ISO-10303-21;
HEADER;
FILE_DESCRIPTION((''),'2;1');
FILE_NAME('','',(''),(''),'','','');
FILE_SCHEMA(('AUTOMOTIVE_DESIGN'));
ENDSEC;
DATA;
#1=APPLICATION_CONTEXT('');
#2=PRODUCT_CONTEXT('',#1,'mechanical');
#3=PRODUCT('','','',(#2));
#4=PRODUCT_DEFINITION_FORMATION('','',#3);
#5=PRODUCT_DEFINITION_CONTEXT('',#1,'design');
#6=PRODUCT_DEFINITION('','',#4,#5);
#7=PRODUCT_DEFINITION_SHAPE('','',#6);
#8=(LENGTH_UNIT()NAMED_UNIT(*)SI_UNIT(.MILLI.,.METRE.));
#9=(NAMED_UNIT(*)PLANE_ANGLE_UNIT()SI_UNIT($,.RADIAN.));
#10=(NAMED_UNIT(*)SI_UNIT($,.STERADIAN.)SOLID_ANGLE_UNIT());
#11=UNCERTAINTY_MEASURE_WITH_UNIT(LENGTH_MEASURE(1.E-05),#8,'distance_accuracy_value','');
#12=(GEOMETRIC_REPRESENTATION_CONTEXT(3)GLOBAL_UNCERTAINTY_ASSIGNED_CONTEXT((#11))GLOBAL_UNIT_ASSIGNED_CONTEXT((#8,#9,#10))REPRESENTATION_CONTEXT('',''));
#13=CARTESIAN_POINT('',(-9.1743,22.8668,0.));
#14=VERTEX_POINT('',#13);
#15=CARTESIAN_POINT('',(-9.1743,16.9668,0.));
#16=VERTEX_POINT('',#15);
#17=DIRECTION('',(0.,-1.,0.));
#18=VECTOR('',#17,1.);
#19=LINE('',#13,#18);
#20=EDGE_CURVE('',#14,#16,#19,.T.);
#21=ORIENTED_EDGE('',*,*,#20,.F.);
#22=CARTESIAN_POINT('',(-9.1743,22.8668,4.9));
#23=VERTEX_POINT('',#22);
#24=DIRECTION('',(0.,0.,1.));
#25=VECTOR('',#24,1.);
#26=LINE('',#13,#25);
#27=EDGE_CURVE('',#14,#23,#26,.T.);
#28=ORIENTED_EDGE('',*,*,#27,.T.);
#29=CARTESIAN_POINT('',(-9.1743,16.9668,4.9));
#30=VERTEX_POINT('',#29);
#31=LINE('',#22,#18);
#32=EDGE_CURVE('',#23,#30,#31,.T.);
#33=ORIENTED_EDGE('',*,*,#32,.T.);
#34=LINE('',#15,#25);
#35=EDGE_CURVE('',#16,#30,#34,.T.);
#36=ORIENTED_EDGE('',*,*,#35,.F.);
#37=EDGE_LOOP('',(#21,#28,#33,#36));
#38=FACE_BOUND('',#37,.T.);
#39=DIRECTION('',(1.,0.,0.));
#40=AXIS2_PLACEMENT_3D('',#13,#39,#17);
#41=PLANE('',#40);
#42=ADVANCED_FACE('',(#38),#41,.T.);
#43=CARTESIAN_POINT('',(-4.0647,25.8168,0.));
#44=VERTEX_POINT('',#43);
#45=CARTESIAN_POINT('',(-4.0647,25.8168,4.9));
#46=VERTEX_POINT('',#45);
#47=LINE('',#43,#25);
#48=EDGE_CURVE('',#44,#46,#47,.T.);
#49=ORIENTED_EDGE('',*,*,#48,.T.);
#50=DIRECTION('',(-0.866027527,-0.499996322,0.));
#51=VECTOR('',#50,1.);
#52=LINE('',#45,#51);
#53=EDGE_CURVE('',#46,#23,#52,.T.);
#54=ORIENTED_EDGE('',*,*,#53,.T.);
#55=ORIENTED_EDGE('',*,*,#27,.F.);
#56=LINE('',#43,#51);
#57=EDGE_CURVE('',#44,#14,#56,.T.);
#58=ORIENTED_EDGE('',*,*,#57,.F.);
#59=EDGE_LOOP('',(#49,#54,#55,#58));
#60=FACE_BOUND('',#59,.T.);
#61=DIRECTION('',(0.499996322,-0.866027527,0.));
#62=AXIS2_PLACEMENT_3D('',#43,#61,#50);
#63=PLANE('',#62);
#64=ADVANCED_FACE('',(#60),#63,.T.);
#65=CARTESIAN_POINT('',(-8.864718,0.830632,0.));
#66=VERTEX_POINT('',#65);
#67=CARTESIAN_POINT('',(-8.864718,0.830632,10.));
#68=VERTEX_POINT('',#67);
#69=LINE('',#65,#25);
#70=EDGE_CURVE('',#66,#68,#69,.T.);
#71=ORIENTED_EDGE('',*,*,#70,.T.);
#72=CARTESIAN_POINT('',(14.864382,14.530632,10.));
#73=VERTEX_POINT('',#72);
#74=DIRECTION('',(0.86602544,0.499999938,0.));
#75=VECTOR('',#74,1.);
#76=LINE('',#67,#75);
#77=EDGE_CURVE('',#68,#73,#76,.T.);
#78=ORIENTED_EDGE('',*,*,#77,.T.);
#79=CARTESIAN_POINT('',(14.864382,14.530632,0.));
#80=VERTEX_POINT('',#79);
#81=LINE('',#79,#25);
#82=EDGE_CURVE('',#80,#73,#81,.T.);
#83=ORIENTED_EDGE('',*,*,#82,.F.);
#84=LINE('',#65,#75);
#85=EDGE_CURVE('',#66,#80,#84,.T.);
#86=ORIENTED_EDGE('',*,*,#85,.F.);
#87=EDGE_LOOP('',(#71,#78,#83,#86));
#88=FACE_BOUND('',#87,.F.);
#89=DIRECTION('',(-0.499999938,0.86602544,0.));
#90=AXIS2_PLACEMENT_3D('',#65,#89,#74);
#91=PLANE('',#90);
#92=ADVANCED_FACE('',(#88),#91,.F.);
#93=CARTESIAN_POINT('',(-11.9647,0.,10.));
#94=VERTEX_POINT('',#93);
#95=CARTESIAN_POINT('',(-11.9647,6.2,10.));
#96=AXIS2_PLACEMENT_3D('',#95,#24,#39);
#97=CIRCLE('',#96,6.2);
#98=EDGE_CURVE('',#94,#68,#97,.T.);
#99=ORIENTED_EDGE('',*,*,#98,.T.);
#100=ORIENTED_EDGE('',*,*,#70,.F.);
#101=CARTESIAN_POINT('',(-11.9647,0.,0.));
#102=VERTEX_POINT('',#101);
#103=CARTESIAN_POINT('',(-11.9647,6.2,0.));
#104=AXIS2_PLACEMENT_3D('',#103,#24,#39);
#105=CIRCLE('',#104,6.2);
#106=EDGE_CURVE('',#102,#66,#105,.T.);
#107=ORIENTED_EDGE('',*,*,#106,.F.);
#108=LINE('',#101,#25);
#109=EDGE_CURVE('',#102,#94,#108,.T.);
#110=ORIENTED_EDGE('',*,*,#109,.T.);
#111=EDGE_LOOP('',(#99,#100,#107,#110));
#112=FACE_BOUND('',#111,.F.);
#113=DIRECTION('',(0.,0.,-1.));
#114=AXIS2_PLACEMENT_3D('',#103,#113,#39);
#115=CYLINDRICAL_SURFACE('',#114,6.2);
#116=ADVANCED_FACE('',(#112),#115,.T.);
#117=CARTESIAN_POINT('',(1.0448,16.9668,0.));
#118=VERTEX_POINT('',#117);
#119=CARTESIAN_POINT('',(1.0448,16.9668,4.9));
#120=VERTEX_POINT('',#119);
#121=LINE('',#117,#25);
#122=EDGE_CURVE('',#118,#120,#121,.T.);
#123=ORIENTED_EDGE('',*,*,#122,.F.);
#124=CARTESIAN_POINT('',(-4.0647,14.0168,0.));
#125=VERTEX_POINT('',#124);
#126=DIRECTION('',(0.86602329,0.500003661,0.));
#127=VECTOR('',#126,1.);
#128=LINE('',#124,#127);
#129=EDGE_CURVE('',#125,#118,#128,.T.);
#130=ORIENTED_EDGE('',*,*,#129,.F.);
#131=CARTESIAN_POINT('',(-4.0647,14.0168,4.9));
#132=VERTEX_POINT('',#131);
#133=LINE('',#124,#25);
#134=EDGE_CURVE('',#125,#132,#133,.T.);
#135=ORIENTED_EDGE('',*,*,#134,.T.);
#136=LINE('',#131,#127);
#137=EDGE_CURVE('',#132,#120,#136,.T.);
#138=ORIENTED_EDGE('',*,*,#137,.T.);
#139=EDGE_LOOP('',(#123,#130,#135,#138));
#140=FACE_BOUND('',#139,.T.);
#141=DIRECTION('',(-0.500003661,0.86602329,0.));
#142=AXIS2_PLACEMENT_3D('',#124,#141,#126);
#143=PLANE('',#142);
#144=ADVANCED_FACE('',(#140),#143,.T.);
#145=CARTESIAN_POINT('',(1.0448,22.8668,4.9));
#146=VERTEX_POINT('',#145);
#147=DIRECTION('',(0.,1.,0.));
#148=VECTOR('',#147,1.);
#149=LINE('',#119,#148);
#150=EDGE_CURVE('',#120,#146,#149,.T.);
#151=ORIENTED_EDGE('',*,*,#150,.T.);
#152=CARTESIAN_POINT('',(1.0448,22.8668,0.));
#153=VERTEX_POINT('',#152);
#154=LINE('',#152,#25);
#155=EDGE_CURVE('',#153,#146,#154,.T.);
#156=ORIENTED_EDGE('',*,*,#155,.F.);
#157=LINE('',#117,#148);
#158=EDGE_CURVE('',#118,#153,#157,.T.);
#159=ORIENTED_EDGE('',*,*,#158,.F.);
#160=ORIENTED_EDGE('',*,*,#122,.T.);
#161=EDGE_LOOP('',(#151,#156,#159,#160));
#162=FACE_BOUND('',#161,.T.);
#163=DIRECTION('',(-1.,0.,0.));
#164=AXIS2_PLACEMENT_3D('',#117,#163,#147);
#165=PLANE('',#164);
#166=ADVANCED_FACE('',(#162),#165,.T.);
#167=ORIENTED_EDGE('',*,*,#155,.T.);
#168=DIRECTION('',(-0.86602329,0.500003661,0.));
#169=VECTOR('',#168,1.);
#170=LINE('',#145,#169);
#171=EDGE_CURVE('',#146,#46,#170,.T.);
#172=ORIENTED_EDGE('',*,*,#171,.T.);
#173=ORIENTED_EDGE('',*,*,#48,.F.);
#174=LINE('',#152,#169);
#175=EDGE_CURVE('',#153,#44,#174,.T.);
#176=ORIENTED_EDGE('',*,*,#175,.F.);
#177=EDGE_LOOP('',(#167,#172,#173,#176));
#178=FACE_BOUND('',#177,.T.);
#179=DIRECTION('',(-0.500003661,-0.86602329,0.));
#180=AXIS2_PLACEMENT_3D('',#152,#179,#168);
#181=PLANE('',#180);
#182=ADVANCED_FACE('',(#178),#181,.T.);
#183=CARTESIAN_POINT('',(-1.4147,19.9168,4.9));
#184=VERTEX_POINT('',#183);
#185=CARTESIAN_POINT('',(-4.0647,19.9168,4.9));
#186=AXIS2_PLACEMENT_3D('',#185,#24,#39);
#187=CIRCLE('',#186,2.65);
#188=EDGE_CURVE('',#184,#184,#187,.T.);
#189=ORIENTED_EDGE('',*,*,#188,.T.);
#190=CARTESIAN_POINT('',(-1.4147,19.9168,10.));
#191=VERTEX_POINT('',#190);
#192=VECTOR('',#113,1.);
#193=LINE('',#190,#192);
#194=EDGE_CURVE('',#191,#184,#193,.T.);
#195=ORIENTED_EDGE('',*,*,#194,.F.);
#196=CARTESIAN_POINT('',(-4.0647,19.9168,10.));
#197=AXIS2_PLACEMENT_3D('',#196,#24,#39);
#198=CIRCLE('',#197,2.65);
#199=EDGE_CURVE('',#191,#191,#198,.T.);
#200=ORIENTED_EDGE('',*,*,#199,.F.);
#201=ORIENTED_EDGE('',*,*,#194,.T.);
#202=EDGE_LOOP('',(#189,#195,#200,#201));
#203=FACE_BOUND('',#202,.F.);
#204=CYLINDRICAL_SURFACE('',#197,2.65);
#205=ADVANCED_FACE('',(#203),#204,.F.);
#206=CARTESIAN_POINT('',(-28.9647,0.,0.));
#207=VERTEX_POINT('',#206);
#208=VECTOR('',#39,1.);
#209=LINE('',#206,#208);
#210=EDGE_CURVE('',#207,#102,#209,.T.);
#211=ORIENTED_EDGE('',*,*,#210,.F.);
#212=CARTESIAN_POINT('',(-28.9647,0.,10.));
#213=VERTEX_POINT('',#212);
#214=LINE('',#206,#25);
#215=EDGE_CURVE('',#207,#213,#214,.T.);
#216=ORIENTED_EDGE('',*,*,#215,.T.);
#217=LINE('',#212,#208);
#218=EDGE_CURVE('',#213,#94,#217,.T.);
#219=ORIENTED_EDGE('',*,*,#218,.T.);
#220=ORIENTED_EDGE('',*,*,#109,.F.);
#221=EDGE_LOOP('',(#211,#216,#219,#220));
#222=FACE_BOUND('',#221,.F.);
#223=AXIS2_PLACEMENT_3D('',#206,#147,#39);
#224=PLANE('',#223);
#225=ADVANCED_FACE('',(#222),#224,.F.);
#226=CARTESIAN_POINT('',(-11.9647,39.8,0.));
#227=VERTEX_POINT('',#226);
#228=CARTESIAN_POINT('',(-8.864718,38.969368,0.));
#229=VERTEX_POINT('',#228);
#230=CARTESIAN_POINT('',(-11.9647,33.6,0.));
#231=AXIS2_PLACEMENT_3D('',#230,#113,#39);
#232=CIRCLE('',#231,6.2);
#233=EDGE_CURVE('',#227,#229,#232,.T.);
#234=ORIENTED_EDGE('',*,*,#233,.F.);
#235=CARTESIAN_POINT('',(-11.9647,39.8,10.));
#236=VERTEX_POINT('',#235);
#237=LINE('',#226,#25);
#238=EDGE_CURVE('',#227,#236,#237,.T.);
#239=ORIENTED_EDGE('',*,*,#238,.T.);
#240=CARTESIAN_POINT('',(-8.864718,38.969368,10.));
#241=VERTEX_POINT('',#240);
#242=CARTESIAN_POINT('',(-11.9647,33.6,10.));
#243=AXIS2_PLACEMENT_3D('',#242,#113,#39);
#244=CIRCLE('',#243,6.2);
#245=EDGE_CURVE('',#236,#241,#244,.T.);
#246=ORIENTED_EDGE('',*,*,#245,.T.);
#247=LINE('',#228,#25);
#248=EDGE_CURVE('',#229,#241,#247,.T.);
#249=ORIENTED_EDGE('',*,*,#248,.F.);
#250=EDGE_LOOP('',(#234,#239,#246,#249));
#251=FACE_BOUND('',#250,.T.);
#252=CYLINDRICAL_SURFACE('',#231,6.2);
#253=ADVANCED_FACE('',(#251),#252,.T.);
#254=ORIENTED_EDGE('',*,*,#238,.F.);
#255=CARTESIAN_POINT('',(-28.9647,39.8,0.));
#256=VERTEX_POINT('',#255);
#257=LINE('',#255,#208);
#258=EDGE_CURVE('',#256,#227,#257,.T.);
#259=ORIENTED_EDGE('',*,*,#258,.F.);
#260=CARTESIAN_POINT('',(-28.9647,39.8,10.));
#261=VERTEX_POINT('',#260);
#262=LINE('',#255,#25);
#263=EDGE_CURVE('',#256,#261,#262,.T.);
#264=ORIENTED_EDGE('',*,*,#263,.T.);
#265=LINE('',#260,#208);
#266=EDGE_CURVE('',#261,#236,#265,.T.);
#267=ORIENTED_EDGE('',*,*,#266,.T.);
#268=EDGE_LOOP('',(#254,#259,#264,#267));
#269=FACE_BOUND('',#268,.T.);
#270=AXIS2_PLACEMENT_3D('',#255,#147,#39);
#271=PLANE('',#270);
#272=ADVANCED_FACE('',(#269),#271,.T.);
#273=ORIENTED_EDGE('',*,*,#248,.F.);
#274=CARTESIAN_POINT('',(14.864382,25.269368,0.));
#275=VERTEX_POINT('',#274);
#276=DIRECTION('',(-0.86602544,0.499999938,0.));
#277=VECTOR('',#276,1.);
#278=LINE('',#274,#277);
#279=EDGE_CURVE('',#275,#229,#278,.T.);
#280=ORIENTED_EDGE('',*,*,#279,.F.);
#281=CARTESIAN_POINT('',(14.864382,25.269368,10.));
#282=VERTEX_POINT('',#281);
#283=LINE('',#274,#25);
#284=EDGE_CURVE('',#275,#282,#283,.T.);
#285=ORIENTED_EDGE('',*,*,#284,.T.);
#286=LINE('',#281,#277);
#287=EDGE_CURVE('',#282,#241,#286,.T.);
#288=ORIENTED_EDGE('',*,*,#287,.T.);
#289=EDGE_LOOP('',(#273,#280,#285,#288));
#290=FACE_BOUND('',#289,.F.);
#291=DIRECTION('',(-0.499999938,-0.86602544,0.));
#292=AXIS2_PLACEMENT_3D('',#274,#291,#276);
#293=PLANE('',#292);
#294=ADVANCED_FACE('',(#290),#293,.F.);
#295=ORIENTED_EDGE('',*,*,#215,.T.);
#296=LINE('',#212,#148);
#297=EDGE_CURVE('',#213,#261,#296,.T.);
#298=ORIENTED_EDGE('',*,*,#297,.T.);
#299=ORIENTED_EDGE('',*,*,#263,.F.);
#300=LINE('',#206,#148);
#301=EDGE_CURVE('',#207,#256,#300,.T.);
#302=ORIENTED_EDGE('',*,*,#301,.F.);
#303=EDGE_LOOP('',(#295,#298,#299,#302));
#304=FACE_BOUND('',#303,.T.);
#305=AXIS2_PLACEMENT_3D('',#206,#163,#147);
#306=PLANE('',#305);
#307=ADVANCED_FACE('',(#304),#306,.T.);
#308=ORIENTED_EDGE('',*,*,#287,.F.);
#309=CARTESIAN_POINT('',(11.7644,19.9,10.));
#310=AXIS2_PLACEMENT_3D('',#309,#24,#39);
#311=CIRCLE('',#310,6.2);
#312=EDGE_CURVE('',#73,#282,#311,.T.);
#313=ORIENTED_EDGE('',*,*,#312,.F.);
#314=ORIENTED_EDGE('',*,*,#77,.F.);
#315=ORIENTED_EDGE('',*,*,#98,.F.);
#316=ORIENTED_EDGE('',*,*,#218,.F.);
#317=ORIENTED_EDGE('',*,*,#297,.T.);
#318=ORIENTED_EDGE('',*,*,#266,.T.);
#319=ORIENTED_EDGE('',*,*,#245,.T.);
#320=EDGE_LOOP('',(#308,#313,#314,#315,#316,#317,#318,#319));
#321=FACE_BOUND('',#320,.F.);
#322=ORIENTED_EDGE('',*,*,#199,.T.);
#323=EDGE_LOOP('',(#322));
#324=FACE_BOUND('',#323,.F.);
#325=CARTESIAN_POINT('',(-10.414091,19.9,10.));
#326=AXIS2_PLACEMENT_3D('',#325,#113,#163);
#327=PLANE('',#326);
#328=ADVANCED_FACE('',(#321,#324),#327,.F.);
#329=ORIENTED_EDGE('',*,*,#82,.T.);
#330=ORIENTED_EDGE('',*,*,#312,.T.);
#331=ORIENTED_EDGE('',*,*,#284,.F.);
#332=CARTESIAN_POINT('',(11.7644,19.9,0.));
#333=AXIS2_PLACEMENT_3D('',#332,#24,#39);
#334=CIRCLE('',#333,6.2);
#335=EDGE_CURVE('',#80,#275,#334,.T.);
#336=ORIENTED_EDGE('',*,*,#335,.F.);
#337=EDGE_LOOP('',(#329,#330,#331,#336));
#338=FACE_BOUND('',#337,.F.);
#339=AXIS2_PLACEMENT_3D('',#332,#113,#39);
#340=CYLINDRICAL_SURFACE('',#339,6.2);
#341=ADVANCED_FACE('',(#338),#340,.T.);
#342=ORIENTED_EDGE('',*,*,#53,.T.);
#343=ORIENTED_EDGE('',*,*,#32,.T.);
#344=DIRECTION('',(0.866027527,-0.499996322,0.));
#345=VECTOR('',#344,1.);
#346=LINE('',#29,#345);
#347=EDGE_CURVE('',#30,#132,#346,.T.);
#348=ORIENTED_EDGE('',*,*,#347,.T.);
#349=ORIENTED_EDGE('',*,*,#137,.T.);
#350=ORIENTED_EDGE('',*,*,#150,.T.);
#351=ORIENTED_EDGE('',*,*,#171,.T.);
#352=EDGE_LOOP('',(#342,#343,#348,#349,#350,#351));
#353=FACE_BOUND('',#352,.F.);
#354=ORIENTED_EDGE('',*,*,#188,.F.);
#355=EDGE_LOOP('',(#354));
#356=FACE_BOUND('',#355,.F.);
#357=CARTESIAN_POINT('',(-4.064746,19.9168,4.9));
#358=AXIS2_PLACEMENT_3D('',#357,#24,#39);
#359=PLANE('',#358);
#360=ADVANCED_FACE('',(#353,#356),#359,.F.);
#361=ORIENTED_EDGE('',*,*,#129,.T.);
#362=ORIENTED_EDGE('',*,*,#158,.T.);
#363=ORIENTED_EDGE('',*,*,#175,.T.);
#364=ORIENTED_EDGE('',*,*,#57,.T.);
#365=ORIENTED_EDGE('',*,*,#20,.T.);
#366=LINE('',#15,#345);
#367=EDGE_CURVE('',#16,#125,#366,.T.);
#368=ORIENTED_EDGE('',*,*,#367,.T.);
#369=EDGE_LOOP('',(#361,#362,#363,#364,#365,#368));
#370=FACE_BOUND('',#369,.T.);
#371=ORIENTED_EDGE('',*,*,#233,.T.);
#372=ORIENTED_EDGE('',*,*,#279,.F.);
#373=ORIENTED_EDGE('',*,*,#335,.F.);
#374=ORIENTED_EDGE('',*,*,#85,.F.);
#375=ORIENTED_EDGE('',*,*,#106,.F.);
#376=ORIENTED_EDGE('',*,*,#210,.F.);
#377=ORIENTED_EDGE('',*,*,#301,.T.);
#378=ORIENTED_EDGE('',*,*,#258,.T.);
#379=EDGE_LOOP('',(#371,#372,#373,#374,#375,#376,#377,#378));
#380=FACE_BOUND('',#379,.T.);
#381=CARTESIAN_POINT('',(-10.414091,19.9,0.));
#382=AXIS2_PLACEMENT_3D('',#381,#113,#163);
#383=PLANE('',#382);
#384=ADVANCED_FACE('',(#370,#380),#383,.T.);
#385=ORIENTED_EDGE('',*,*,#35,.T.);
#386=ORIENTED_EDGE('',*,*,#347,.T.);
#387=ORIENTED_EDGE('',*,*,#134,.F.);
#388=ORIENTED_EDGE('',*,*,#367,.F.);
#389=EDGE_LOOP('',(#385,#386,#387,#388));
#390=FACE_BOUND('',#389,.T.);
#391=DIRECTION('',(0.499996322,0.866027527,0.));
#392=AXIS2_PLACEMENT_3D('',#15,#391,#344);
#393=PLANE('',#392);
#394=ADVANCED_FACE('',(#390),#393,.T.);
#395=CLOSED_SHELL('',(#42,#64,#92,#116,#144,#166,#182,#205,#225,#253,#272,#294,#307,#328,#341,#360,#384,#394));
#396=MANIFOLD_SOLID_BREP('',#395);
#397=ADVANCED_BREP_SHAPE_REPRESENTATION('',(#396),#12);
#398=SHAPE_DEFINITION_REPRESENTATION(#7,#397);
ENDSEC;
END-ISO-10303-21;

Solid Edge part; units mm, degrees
sketch "Sketch1" plane through (0, 0, 0) normal (0, 0, 1) x (1, 0, 0)
  line L0 (-28.9647, 0) -> (-28.9647, 39.8)
  line L1 (-28.9647, 39.8) -> (-11.9647, 39.8)
  arc A0 (-11.9647, 39.8) -> (-8.8647, 38.9694) centre (-11.9647, 33.6) cw
  line L2 (14.8644, 25.2694) -> (-8.8647, 38.9694)
  arc A1 (14.8644, 14.5306) -> (14.8644, 25.2694) centre (11.7644, 19.9) ccw
  line L3 (-8.8647, 0.8306) -> (14.8644, 14.5306)
  arc A2 (-11.9647, 0) -> (-8.8647, 0.8306) centre (-11.9647, 6.2) ccw
  line L4 (-28.9647, 0) -> (-11.9647, 0)
extrude "Protrusion1" add sketch "Sketch1" along normal blind 10
sketch "Sketch2" plane through (-5.5002, 19.9, 10) normal (0, 0, 1) x (1, 0, 0)
  circle A0 centre (1.4355, 0.0168) radius 2.65
extrude "ExtrudedCutout_1" cut sketch "Sketch2" against normal blind 233.7228
sketch "Sketch3" plane through (-5.5002, 19.9, 0) normal (0, 0, -1) x (1, 0, 0)
  line L0 (-3.6741, -2.9668) -> (-3.6741, 2.9332)
  line L1 (-3.6741, 2.9332) -> (1.4355, 5.8832)
  line L2 (1.4355, 5.8832) -> (6.545, 2.9332)
  line L3 (6.545, 2.9332) -> (6.545, -2.9668)
  line L4 (6.545, -2.9668) -> (1.4355, -5.9168)
  line L5 (1.4355, -5.9168) -> (-3.6741, -2.9668)
  dimension "D1" = 11.8
extrude "ExtrudedCutout_2" cut sketch "Sketch3" against normal blind 4.9
